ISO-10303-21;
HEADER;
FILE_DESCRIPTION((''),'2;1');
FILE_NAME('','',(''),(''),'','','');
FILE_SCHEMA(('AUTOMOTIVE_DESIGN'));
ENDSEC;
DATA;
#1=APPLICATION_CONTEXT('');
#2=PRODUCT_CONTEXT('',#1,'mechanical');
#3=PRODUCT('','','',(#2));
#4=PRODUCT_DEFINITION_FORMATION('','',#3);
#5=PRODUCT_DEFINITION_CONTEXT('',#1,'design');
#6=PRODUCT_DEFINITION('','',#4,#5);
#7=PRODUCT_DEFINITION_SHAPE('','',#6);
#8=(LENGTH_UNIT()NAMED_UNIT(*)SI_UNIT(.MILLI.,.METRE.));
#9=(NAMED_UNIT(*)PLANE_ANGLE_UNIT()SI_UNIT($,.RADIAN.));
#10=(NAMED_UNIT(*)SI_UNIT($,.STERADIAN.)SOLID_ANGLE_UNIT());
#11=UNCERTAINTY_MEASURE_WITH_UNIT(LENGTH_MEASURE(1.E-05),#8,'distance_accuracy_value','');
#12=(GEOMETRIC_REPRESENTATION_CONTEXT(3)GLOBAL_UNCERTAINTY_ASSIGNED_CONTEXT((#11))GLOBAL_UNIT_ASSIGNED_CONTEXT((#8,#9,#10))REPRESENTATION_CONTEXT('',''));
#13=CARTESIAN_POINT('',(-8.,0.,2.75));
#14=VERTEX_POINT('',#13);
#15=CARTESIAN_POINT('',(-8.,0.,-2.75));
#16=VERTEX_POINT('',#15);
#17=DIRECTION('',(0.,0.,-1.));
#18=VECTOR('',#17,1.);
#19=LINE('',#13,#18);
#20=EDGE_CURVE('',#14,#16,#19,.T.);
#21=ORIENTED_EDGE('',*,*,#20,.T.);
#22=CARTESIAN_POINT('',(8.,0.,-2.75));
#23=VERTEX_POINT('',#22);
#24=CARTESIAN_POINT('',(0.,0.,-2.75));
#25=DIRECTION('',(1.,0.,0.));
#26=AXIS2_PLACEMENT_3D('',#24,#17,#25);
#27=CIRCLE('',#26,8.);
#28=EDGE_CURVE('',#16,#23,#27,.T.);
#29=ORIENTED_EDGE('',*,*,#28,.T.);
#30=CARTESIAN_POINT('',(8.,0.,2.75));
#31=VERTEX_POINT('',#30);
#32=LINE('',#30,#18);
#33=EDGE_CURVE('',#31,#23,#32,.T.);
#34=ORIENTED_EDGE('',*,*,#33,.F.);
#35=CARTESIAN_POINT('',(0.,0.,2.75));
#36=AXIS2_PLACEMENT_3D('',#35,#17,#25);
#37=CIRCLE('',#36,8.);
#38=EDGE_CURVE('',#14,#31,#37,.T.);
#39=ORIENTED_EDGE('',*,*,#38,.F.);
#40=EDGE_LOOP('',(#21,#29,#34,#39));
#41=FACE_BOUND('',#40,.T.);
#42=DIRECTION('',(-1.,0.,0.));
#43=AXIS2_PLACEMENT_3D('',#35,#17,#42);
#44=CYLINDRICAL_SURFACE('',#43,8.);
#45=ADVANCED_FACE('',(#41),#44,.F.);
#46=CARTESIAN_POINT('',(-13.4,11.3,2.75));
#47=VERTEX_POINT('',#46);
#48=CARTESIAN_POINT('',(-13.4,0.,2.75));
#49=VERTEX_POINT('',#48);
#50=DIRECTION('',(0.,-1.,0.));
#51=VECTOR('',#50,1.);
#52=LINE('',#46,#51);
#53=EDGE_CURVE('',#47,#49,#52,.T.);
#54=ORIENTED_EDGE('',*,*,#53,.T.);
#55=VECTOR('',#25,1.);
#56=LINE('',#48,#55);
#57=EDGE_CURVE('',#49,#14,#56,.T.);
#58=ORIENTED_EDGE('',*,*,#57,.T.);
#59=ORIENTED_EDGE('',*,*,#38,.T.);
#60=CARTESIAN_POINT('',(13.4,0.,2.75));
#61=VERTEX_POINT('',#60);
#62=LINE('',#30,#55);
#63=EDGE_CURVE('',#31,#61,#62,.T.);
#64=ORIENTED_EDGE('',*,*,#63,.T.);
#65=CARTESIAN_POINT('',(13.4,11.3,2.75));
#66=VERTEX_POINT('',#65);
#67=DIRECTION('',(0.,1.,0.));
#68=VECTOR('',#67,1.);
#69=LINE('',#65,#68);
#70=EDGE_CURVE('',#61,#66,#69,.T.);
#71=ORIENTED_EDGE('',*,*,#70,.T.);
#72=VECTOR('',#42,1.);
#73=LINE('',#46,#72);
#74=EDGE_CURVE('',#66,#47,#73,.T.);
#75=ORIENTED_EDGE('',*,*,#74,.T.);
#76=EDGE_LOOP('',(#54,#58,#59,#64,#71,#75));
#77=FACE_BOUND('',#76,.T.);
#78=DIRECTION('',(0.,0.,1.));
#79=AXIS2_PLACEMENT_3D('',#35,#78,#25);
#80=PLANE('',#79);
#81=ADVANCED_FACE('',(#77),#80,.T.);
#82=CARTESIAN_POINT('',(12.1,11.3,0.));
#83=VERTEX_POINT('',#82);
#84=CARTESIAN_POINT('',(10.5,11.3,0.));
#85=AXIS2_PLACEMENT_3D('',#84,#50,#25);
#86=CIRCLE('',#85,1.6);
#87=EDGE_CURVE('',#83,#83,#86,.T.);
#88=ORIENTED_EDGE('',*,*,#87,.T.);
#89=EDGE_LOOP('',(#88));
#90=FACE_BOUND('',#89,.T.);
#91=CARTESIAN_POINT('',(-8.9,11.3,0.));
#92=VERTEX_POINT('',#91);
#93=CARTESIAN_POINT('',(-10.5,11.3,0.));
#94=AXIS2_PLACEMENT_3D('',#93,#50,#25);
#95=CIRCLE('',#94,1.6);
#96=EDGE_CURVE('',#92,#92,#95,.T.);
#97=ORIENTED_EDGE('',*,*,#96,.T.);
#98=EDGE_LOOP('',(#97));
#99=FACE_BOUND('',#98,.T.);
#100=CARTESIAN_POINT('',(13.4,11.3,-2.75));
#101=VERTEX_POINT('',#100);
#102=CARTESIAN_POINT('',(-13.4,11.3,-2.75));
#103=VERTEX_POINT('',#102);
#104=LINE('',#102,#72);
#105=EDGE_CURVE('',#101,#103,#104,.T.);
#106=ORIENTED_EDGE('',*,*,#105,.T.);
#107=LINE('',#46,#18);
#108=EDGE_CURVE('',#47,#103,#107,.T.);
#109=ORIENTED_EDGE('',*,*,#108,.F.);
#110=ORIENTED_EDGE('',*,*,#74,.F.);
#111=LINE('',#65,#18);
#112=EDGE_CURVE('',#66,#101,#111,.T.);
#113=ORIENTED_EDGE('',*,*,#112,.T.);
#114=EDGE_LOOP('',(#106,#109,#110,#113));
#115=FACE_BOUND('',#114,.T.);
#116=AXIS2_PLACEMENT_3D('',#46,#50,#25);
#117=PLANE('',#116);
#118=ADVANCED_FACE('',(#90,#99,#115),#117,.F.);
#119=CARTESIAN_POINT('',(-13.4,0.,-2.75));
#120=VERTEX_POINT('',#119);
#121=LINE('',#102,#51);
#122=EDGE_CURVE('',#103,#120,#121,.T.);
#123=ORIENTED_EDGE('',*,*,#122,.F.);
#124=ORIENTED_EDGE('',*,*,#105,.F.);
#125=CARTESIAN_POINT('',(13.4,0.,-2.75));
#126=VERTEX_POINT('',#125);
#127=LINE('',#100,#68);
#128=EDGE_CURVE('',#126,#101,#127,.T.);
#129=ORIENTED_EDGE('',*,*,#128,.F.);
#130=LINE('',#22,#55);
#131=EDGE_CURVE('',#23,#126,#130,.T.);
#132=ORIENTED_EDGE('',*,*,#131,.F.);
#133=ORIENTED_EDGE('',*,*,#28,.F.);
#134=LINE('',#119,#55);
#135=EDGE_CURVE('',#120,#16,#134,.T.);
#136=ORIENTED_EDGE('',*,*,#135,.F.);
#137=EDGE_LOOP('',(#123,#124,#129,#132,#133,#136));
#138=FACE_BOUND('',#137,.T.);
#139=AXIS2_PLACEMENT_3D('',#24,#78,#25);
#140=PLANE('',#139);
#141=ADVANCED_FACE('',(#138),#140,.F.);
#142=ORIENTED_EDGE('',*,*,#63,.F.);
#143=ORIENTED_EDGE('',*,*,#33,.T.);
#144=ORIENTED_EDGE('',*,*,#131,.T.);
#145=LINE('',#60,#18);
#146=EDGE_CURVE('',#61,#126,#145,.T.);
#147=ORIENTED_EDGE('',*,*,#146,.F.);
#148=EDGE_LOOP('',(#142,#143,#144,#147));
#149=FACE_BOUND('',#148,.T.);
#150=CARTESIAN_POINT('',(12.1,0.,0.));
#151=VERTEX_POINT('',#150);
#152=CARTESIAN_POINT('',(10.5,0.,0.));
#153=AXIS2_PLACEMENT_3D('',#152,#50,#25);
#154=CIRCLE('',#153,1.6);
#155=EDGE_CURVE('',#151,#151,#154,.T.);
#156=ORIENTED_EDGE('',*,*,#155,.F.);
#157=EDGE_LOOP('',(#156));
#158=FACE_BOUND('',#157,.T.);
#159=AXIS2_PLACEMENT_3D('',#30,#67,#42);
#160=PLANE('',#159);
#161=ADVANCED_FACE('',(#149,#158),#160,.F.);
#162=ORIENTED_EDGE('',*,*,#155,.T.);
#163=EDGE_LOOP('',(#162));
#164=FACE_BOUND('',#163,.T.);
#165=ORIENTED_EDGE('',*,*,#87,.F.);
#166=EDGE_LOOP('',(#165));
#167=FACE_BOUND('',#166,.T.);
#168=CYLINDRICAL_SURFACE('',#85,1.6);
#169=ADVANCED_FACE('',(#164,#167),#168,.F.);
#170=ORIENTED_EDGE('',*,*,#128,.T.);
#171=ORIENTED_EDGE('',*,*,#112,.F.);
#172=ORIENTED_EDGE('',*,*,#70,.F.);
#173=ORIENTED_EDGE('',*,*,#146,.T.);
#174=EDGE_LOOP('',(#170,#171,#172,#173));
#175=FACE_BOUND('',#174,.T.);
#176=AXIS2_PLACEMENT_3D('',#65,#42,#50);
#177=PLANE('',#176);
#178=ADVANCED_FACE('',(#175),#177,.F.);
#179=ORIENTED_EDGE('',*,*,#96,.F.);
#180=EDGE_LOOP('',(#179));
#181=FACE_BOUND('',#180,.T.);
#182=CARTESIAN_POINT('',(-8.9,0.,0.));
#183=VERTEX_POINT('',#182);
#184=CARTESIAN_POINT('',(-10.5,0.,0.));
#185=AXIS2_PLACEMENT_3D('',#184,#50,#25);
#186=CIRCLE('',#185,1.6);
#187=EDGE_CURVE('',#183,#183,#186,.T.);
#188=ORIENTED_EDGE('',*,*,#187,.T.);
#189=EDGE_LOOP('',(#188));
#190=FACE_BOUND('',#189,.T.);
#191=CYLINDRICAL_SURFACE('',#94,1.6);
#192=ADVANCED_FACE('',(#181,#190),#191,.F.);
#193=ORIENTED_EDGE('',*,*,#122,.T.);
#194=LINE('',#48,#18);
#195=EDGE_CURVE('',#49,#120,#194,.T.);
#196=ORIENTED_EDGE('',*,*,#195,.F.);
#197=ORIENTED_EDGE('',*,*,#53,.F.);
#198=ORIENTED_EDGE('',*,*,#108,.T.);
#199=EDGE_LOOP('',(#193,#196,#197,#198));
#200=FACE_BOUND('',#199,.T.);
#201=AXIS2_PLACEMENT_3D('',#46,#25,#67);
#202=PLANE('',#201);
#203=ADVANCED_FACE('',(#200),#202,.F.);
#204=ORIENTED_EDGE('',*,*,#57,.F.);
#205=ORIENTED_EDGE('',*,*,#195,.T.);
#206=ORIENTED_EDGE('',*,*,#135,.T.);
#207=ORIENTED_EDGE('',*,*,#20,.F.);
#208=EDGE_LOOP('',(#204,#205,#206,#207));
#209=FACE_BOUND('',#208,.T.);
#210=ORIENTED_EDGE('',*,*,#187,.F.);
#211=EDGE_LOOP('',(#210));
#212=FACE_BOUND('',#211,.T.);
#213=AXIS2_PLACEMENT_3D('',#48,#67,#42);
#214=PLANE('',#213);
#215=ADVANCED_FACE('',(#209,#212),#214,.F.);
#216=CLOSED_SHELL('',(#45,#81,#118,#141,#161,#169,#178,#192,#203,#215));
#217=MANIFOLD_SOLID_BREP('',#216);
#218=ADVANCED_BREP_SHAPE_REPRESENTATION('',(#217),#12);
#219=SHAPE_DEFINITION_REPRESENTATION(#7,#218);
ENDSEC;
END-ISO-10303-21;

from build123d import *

# Parameters (mm, degrees)
BOSS_EXTRUDE1_DEPTH = 2.75
SKETCH2_R           = 1.6
CUT_EXTRUDE1_DEPTH  = 18.742956349


with BuildPart() as part:
    # Sketch1 → Boss-Extrude1 (new, symmetric)
    with BuildSketch(Plane.XY):
        with BuildLine():
            Line((-13.4, 11.3), (13.4, 11.3))
            Line((13.4, 11.3), (13.4, 0))
            Line((13.4, 0), (8, 0))
            ThreePointArc((8, 0), (0, 8), (-8, 0))
            Line((-8, 0), (-13.4, 0))
            Line((-13.4, 0), (-13.4, 11.3))
        make_face()
    extrude(amount=BOSS_EXTRUDE1_DEPTH, both=True)

    # Sketch2 → Cut-Extrude1 (cut, through all)
    with BuildSketch(Plane.XZ):
        with Locations((-10.5, 0)):
            Circle(SKETCH2_R)
        with Locations((10.5, 0)):
            Circle(SKETCH2_R)
    extrude(amount=-CUT_EXTRUDE1_DEPTH, mode=Mode.SUBTRACT)


solid = part.part
